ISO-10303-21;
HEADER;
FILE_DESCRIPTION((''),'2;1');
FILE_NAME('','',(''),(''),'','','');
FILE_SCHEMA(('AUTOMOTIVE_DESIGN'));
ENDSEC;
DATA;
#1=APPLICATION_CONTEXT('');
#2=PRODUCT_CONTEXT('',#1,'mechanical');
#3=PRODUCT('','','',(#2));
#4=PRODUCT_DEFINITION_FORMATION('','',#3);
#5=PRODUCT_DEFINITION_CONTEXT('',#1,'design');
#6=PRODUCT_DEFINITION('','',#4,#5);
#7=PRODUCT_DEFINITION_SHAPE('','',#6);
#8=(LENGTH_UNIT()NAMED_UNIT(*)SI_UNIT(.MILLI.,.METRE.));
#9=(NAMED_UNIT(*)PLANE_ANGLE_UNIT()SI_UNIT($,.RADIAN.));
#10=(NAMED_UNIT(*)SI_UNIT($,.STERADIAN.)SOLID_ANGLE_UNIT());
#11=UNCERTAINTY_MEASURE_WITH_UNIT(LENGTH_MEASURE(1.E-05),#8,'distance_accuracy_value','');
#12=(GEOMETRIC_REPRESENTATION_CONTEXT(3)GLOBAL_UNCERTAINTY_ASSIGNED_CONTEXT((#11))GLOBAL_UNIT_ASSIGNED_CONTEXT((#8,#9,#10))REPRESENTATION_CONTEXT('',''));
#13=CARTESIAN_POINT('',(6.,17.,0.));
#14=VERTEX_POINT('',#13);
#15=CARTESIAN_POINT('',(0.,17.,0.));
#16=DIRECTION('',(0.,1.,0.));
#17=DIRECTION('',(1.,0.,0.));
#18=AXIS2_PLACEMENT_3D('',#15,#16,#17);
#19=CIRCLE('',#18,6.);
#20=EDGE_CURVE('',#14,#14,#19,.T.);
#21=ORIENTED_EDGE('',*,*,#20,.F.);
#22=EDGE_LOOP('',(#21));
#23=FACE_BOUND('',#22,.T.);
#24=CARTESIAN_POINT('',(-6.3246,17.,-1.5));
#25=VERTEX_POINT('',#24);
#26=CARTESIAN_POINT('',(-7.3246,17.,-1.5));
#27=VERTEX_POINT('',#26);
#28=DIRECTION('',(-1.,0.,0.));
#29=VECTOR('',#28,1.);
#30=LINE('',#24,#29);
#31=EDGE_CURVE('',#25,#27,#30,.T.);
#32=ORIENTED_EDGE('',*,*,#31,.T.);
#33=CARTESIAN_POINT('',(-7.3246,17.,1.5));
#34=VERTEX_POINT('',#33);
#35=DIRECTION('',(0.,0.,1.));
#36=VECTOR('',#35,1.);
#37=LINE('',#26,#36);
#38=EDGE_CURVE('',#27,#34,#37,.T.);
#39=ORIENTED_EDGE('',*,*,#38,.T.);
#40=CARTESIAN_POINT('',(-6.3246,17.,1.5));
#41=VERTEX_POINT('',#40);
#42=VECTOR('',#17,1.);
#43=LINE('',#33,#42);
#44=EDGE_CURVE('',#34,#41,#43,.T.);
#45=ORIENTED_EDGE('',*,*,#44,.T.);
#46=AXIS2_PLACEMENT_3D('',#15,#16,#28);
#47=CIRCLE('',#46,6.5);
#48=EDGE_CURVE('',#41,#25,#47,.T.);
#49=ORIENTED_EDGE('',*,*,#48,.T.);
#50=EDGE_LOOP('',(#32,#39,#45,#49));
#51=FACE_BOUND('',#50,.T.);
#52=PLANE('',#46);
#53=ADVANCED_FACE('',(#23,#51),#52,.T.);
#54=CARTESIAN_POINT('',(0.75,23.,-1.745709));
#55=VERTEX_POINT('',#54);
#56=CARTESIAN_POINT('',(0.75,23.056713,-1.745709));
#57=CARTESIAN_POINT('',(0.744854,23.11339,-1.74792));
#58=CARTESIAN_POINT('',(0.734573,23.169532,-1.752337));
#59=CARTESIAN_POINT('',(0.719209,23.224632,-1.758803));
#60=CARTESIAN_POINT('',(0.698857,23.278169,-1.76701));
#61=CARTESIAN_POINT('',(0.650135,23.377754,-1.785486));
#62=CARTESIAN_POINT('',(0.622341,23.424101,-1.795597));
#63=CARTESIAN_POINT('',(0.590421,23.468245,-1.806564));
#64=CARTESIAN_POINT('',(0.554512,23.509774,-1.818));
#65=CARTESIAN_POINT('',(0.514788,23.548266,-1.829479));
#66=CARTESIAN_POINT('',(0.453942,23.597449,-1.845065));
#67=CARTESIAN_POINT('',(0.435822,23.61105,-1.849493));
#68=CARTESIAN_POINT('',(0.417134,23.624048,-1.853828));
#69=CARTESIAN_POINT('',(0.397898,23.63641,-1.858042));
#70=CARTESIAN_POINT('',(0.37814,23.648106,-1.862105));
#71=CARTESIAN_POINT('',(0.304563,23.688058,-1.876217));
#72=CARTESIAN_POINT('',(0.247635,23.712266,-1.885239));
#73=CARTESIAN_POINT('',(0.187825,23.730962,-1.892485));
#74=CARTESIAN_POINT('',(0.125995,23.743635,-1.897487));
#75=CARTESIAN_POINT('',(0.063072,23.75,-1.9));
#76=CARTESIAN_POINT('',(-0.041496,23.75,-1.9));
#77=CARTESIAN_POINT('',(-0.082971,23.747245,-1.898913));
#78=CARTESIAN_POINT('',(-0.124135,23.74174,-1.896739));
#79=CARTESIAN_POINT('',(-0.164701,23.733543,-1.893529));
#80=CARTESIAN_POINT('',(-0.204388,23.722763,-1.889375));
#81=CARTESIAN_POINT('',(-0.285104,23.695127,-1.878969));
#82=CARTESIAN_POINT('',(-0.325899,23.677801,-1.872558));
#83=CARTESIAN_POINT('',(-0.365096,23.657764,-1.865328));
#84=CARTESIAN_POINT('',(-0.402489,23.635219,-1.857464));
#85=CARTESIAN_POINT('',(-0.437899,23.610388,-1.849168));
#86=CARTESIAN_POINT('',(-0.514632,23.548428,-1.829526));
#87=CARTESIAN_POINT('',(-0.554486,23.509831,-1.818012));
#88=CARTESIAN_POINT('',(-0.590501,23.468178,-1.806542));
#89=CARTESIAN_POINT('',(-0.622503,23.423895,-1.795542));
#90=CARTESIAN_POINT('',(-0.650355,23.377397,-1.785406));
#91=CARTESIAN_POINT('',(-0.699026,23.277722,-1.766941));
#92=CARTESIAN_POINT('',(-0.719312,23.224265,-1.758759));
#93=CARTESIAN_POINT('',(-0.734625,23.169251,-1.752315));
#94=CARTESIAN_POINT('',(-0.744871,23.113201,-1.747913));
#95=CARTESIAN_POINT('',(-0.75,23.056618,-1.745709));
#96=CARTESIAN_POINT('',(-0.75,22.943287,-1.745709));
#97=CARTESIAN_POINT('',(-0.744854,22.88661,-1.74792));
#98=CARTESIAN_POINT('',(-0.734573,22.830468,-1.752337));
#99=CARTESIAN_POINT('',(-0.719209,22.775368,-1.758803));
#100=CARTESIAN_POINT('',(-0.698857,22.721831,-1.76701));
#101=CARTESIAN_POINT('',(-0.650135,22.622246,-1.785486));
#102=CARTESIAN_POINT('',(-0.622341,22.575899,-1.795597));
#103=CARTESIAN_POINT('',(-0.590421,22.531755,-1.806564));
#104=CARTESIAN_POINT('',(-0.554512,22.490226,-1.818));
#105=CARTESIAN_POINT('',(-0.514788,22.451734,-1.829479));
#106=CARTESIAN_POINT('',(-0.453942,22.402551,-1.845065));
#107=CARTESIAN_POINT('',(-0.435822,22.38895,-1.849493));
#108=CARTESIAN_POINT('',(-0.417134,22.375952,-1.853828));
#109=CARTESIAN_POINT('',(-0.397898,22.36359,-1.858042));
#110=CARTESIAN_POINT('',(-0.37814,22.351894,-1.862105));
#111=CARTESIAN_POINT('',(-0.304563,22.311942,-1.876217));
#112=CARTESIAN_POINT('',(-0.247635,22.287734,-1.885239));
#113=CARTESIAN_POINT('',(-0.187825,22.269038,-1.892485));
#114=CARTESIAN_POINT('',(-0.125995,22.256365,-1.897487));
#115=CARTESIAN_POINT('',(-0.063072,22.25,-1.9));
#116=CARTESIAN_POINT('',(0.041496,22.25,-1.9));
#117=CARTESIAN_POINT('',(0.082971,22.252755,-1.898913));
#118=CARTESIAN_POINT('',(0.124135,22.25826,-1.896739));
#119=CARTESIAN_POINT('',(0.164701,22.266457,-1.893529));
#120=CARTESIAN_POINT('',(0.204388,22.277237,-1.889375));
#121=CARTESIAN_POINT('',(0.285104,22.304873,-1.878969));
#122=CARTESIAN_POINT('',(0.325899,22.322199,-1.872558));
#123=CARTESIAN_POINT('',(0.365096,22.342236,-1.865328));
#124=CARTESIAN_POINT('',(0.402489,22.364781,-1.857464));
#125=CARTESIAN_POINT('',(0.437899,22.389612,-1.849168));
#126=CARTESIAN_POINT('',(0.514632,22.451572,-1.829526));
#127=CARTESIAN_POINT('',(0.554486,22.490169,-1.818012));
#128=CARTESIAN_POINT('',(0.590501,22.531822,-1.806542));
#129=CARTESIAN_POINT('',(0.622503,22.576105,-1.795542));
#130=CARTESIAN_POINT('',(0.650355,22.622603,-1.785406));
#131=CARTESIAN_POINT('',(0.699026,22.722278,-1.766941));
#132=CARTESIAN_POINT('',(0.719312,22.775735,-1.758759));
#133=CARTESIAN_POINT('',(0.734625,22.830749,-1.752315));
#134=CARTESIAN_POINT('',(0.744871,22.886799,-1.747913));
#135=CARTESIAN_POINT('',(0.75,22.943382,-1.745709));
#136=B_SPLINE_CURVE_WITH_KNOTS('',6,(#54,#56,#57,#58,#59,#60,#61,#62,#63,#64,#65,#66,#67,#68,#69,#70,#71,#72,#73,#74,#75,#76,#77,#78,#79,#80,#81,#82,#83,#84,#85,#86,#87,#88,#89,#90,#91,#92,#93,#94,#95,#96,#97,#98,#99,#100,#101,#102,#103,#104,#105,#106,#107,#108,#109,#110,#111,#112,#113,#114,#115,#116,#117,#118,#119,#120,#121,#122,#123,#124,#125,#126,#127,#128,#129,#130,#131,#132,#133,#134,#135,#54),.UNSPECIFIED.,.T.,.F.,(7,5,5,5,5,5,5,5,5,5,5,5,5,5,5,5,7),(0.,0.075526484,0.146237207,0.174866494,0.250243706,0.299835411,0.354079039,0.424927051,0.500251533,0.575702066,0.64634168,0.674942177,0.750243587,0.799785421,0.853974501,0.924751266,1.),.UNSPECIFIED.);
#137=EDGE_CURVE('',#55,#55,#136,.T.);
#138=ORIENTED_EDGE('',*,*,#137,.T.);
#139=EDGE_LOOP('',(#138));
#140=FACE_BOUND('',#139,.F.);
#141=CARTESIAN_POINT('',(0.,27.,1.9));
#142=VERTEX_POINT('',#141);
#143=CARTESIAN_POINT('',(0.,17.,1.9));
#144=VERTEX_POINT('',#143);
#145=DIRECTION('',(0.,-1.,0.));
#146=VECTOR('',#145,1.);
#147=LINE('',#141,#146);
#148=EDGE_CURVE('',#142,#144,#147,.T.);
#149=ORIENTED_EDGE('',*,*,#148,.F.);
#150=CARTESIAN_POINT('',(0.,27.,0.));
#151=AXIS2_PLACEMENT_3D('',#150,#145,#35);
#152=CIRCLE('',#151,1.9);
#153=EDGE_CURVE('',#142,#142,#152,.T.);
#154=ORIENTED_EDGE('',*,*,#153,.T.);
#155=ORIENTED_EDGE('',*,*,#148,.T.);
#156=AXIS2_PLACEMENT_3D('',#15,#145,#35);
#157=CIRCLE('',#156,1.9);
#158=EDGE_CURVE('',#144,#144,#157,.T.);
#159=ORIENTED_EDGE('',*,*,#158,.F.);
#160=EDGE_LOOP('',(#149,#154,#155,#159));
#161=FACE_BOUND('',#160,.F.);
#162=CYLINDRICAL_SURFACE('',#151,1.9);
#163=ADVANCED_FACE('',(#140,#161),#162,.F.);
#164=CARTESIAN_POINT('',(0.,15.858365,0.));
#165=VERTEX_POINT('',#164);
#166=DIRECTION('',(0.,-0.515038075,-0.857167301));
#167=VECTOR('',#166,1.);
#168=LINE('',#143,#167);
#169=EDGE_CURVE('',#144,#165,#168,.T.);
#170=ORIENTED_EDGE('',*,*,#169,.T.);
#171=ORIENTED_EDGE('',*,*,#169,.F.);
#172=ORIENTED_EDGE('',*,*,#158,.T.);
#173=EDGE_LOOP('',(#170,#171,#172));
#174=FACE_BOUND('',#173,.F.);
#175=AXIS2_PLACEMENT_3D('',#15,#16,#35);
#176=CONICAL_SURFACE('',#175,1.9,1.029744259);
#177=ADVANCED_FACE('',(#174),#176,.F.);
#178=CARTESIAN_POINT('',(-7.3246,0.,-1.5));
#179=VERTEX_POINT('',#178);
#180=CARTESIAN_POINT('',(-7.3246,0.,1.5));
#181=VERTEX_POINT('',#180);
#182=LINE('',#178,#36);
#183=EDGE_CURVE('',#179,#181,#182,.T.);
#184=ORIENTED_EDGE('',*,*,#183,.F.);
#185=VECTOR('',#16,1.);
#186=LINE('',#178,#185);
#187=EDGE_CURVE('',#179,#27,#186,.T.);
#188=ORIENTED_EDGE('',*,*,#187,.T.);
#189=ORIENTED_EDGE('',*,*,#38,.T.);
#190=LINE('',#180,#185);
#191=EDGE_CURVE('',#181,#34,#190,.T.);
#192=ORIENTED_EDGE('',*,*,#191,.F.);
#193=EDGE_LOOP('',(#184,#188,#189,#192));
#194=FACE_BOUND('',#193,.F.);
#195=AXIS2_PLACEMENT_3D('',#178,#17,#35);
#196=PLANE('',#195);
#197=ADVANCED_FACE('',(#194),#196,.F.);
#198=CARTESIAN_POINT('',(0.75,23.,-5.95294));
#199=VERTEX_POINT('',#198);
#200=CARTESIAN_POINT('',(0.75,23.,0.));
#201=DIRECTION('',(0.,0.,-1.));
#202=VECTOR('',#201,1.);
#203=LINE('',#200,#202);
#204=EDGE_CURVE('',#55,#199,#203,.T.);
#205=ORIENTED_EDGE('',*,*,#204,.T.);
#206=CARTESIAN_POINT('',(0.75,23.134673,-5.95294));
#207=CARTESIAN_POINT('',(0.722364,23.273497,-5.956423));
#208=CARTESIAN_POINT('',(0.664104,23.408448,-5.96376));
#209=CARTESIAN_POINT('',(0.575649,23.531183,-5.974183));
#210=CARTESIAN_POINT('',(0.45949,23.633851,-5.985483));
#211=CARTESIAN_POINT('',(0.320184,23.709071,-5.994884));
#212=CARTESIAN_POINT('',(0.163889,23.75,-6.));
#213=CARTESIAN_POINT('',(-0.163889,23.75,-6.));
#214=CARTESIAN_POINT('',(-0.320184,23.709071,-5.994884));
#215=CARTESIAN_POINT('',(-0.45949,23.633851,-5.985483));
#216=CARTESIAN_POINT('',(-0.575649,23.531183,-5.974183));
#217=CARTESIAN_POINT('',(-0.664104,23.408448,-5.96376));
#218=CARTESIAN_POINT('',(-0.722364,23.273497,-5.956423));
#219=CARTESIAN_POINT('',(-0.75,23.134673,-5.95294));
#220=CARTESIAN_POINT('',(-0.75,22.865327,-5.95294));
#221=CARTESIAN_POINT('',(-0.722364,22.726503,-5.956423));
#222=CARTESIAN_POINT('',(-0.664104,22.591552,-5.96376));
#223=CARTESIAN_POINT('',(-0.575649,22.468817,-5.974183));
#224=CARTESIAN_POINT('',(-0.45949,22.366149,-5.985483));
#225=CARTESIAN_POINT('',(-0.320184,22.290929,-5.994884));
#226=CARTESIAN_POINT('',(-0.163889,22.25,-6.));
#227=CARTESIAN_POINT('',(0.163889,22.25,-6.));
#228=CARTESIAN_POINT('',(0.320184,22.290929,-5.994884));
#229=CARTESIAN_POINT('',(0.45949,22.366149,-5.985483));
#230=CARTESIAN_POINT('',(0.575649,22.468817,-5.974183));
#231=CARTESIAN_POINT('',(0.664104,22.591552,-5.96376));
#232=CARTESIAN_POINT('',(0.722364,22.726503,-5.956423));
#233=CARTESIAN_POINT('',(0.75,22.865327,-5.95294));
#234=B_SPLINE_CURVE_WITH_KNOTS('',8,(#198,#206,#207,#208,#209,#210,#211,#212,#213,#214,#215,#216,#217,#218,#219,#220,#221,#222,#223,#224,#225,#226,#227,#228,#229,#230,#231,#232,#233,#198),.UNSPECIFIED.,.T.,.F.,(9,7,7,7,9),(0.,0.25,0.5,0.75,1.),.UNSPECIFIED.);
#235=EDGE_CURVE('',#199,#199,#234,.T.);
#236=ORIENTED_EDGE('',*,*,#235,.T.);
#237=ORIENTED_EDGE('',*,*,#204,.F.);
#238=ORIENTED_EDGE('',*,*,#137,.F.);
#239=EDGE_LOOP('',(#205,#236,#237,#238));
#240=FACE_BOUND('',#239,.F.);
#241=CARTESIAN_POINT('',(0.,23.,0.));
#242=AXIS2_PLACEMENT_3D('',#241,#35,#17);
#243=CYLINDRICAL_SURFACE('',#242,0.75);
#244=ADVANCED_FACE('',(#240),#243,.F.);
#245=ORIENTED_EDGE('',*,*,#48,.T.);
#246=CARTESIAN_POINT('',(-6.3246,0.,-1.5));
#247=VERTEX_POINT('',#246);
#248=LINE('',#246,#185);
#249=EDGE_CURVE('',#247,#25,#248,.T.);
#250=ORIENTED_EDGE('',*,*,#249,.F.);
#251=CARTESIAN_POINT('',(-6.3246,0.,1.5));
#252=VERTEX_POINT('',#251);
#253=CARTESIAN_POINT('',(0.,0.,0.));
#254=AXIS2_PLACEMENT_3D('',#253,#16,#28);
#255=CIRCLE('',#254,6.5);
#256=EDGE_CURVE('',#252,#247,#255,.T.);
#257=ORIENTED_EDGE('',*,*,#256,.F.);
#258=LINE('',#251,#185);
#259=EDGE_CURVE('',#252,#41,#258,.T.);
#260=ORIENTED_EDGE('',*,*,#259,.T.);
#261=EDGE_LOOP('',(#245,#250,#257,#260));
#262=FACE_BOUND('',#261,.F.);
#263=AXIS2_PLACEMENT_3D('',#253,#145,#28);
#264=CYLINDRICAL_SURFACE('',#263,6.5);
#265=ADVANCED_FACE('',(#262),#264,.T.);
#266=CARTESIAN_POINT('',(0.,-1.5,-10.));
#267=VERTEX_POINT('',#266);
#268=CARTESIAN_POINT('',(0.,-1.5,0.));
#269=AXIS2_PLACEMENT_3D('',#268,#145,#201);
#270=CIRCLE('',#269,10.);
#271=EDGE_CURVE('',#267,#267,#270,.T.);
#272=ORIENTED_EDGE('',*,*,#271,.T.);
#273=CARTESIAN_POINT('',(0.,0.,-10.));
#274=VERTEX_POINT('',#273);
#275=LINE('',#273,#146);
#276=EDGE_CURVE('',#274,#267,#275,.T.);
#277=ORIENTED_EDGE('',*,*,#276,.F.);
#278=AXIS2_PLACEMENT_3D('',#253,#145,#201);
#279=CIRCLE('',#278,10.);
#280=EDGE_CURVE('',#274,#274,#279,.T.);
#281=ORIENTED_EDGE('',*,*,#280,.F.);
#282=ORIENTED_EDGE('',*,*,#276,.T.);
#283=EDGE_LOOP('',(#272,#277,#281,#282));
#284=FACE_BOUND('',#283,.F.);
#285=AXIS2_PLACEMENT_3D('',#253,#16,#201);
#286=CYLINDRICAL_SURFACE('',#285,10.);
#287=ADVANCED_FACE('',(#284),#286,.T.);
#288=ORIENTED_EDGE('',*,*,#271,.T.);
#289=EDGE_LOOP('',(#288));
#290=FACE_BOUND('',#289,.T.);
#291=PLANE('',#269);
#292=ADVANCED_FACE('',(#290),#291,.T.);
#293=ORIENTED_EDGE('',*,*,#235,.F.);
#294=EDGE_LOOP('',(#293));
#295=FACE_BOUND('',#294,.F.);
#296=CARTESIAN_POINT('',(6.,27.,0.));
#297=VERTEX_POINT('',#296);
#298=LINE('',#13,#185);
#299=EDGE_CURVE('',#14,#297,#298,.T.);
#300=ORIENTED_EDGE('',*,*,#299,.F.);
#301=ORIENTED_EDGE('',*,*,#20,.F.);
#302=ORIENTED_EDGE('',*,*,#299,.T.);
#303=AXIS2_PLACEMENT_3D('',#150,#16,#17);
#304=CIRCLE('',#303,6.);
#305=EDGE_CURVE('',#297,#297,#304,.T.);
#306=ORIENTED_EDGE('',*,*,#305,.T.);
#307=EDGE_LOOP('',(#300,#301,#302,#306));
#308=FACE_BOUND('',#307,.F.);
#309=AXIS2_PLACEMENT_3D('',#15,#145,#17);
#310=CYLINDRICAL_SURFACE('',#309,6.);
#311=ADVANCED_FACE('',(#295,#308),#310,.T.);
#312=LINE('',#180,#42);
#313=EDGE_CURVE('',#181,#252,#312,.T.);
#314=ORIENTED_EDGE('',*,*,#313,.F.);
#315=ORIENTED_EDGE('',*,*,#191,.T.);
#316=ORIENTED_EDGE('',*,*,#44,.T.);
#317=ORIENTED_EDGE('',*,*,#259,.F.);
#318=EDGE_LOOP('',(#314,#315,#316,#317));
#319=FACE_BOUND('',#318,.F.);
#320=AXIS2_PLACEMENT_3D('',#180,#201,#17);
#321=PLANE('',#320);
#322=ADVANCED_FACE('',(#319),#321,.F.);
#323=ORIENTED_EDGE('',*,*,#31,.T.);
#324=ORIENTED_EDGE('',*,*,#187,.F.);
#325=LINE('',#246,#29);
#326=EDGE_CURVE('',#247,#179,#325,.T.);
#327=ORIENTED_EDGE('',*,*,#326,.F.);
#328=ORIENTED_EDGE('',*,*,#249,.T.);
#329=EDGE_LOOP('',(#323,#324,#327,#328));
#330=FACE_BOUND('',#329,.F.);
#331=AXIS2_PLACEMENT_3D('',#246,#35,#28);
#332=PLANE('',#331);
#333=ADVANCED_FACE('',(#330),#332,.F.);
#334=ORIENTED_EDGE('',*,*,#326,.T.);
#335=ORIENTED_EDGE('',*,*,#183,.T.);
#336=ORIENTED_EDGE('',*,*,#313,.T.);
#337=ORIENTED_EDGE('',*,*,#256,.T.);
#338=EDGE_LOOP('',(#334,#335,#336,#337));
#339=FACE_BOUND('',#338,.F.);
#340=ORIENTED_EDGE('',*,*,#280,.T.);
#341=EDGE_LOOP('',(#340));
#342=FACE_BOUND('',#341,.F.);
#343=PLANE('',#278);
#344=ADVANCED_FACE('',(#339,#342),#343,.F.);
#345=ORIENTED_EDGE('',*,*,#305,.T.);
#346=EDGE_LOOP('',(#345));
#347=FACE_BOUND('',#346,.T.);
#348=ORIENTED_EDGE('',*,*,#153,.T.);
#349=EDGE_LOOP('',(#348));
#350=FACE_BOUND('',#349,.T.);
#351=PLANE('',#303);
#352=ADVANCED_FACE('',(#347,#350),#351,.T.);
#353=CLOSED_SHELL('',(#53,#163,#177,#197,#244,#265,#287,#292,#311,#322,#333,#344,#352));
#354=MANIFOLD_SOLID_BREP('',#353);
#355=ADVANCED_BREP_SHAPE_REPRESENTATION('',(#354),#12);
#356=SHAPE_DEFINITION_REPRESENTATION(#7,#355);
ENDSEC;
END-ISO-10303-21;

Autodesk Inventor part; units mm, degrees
ref_plane "YZ Plane" through (0, 0, 0) normal (1, 0, 0) x (0, 1, 0)
ref_plane "XZ Plane" through (0, 0, 0) normal (0, 1, 0) x (-1, 0, 0)
ref_plane "XY Plane" through (0, 0, 0) normal (0, 0, 1) x (1, 0, 0)
sketch "Sketch1" plane through (0, 0, 0) normal (0, 1, 0) x (-1, 0, 0)
  circle A0 centre (0, 0) radius 6.5
  line L0 (7.3246, 1.5) -> (6.3246, 1.5)
  line L1 (6.3246, 1.5) -> (6.3246, -1.5)
  line L2 (6.3246, -1.5) -> (7.3246, -1.5)
  line L3 (7.3246, -1.5) -> (7.3246, 1.5)
  dimension "d0" = 13
  dimension "d8" = 1
  dimension "d9" = 3
extrude "Extrusion1" add sketch "Sketch1" along normal blind 17
sketch "Sketch2" plane through (0, 0, 0) normal (0, -1, 0) x (0, 0, -1)
  circle A0 centre (0, 0) radius 10
  dimension "d3" = 20
extrude "Extrusion2" add sketch "Sketch2" along normal blind 1.5
sketch "Sketch4" plane through (0, 17, 0) normal (0, 1, 0) x (1, 0, 0)
  circle A0 centre (0, 0) radius 6
  dimension "d10" = 12
extrude "Extrusion3" add sketch "Sketch4" along normal blind 10
sketch "Sketch5" plane through (0, 27, 0) normal (0, 1, 0) x (1, 0, 0)
  point P0 (0, 0)
  point P1 (0, 0)
hole "Hole1" at (0, 27, 0) direction (0, -1, 0) diameter 3.8 depth 10 tip angle 118 clearance for "Hex Head Cap Screw ISO 24017" size "M3" standard "ISO"
sketch "Sketch6" plane through (0, 0, 0) normal (0, 0, 1) x (1, 0, 0)
  circle A0 centre (0, 23) radius 0.75
  line L0 (6, 27) -> (-6, 27) projected
  line L1 (0, -7.2) -> (0, 32.7) projected
  point P0 (0, 0)
  dimension "d21" = 1.5
  dimension "d26" = 4
extrude "Extrusion4" cut sketch "Sketch6" against normal up to surface
properties part number "wheel_adapt"
